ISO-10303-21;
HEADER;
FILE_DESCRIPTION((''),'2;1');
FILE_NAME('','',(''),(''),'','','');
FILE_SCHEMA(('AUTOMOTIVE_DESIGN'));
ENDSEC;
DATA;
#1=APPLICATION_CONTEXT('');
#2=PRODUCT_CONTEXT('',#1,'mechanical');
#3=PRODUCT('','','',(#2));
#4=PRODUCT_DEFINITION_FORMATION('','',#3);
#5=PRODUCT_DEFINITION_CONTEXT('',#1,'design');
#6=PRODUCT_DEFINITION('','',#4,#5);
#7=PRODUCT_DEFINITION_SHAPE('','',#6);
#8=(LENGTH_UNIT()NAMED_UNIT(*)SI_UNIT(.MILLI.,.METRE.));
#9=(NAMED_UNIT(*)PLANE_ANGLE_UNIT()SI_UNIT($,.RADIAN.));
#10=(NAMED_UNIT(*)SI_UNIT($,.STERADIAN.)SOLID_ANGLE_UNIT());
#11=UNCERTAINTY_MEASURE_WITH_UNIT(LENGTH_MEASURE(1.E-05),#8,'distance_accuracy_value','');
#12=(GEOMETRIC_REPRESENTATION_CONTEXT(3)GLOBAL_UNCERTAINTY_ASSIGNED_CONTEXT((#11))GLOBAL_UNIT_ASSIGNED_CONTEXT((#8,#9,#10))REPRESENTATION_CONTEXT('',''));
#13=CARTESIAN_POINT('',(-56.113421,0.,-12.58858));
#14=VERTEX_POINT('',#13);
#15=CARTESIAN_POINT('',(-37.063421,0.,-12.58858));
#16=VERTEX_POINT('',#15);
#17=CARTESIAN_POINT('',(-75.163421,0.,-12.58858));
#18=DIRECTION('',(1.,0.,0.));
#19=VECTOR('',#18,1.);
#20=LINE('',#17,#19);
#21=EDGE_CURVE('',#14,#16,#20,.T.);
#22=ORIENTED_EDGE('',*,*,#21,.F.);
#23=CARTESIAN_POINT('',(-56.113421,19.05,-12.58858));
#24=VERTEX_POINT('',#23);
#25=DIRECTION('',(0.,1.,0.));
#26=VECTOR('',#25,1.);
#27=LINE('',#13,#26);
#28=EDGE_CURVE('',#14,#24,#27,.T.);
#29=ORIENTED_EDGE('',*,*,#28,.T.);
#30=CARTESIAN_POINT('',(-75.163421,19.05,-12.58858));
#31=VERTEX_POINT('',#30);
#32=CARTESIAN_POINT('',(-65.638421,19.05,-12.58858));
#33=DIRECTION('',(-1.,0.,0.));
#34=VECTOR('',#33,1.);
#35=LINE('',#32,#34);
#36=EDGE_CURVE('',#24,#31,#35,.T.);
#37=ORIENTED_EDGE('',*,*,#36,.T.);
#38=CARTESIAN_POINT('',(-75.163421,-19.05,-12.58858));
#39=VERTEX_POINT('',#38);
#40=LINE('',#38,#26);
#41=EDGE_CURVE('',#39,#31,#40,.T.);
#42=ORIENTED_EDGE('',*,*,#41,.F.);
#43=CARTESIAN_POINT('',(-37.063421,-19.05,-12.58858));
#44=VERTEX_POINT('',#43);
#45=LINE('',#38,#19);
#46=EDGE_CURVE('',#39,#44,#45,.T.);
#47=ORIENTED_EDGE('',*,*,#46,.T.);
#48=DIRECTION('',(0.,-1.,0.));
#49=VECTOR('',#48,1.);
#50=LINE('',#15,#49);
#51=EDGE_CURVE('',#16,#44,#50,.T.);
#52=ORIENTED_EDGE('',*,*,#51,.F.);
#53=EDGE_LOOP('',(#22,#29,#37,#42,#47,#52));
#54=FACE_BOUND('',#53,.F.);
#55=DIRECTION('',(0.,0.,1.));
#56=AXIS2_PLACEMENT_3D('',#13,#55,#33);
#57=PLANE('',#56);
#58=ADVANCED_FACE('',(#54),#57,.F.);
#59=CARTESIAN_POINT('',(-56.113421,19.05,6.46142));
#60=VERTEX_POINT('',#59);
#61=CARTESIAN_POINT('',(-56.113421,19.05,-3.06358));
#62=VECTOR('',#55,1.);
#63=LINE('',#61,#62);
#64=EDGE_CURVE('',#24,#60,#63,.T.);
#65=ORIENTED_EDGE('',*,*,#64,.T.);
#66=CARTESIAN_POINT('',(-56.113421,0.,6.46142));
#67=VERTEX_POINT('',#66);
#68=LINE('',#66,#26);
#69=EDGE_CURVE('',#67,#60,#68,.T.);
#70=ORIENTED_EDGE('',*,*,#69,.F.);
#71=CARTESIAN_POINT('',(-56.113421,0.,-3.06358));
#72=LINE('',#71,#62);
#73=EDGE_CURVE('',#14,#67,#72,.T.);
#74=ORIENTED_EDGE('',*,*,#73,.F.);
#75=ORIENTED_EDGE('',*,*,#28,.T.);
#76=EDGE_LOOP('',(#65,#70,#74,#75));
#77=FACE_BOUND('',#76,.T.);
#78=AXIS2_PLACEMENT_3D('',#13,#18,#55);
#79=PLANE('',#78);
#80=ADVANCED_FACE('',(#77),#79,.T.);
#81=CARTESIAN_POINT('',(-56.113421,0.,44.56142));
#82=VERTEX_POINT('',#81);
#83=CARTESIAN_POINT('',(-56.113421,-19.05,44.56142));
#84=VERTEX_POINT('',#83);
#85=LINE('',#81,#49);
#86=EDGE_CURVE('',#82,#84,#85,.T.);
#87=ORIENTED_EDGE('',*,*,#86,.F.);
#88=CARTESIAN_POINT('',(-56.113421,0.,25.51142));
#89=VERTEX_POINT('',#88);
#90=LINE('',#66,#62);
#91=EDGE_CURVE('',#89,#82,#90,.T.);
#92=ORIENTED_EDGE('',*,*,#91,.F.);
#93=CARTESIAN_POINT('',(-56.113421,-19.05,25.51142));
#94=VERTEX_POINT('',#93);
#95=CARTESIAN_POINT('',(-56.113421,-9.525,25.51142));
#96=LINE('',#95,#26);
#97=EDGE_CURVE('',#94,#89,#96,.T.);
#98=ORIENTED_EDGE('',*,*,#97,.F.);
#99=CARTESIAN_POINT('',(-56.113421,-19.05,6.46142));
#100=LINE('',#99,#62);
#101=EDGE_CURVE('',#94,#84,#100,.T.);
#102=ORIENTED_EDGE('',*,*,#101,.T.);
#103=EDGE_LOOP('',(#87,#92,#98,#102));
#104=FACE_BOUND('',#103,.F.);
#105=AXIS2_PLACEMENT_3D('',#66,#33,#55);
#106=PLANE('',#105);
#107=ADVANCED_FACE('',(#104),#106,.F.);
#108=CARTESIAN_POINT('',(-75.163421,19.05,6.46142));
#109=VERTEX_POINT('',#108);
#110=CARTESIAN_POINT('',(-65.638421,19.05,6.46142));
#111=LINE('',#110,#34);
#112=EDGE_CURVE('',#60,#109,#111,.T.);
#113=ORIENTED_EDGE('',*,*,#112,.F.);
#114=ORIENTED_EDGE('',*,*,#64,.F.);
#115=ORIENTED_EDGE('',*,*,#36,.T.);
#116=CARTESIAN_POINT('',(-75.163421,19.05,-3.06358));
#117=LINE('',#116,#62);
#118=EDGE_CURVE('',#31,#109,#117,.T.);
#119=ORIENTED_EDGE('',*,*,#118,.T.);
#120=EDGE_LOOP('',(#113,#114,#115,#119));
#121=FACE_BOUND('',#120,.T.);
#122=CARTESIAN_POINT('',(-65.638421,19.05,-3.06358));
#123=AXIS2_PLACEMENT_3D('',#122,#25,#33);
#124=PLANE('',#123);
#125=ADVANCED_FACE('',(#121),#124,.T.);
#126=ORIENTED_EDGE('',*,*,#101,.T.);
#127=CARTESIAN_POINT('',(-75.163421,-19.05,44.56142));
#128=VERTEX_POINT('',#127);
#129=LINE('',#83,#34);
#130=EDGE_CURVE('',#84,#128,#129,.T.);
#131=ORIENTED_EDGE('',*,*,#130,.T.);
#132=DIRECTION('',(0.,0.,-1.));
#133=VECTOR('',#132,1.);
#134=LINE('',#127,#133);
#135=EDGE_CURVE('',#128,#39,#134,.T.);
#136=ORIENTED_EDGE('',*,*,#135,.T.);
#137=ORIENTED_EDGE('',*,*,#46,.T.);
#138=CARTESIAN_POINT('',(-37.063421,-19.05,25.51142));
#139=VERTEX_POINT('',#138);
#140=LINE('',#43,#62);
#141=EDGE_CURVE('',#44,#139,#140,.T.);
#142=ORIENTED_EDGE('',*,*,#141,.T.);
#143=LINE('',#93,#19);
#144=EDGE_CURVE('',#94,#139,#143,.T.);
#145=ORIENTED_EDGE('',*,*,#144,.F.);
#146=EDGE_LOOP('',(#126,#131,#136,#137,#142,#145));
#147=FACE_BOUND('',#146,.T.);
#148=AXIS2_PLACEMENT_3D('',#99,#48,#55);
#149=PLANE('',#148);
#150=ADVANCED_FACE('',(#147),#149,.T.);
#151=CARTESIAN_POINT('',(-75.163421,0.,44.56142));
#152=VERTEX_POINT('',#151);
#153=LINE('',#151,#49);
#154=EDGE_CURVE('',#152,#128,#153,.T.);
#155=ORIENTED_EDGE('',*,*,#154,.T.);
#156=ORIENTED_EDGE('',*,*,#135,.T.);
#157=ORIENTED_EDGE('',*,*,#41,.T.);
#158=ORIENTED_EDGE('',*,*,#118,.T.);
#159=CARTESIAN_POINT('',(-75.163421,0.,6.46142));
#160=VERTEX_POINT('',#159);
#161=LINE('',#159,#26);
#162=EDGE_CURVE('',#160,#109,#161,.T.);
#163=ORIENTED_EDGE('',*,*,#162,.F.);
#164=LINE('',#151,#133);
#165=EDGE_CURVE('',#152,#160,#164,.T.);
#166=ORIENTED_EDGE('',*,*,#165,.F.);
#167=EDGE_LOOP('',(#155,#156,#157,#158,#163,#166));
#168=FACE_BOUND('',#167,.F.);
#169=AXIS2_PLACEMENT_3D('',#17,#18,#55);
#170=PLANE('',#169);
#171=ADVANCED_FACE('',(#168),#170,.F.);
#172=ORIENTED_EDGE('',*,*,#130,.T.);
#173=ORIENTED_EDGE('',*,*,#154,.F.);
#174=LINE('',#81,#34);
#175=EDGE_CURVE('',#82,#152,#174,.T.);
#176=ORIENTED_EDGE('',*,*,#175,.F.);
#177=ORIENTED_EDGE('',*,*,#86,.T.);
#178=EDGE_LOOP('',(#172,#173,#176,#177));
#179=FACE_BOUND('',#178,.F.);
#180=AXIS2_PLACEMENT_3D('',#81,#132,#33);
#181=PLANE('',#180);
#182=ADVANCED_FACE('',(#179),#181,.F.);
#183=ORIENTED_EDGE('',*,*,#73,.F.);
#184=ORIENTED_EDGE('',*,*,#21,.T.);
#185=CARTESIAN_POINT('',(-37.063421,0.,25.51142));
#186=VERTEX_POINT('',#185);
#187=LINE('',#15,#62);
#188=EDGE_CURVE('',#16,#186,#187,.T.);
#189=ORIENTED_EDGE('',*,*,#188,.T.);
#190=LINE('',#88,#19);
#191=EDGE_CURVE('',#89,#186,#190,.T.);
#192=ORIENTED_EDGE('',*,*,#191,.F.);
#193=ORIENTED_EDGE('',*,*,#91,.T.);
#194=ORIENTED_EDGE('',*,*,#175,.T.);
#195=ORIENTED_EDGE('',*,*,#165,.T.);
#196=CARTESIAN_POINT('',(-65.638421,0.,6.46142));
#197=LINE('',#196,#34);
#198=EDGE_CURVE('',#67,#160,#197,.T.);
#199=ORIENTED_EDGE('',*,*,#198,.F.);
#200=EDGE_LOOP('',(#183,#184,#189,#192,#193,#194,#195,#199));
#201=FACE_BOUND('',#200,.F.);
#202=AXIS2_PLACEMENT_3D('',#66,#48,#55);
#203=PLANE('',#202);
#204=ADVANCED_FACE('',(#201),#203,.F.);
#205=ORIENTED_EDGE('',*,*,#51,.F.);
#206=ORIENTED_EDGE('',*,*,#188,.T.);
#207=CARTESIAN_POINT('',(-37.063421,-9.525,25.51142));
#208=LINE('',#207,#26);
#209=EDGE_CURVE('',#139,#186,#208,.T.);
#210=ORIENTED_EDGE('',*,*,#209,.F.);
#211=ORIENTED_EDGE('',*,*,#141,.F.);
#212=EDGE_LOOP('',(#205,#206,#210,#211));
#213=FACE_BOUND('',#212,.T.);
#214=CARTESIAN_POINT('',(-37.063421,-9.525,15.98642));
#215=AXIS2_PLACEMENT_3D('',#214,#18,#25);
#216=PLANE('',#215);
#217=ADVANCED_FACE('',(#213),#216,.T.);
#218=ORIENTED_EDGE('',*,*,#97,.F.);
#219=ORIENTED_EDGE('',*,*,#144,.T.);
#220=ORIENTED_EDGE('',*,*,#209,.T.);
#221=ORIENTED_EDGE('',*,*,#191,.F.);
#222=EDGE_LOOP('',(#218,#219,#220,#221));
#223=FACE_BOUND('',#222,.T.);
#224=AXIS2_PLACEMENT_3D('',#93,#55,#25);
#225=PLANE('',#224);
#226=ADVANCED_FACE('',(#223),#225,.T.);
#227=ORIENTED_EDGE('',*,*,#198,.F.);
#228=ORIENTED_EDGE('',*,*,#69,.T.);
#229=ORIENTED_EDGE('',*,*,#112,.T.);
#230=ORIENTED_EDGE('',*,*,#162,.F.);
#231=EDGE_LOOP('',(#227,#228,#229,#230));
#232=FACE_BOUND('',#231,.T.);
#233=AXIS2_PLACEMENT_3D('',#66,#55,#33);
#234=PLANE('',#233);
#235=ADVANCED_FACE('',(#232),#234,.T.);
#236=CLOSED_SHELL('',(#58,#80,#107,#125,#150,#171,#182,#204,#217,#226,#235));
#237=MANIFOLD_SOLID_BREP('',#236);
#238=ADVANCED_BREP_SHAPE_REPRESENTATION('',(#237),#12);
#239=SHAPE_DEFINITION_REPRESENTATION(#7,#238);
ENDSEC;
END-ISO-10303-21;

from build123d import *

# Parameters (mm, degrees)
F1_DEPTH = 19.05
F2_W     = 19.05
F2_H     = 19.05
F3_DEPTH = 19.05
F4_W     = 19.05
F4_H     = 19.05
F5_DEPTH = 19.05


with BuildPart() as f1:
    # F0 (on Front) → F1 (new body)
    with BuildSketch(Plane.XZ):
        Polygon((-56.113421, 44.56142), (-75.163421, 44.56142), (-75.163421, -12.58858), (-37.063421, -12.58858), (-37.063421, 6.46142), (-56.113421, 6.46142), align=None)
    extrude(amount=F1_DEPTH)

    # F2 (on face) → F3 (join)
    with BuildSketch(Plane.YZ.offset(-56.113421)):
        with Locations((-9.525, 15.98642)):
            Rectangle(F2_W, F2_H)
    extrude(amount=F3_DEPTH)

    # F4 (on face) → F5 (join)
    with BuildSketch(Plane(origin=(0, 0, 0), x_dir=(-1, 0, 0), z_dir=(0, 1, 0))):
        with Locations((65.638421, -3.06358)):
            Rectangle(F4_W, F4_H)
    extrude(amount=F5_DEPTH)


solid = f1.part
